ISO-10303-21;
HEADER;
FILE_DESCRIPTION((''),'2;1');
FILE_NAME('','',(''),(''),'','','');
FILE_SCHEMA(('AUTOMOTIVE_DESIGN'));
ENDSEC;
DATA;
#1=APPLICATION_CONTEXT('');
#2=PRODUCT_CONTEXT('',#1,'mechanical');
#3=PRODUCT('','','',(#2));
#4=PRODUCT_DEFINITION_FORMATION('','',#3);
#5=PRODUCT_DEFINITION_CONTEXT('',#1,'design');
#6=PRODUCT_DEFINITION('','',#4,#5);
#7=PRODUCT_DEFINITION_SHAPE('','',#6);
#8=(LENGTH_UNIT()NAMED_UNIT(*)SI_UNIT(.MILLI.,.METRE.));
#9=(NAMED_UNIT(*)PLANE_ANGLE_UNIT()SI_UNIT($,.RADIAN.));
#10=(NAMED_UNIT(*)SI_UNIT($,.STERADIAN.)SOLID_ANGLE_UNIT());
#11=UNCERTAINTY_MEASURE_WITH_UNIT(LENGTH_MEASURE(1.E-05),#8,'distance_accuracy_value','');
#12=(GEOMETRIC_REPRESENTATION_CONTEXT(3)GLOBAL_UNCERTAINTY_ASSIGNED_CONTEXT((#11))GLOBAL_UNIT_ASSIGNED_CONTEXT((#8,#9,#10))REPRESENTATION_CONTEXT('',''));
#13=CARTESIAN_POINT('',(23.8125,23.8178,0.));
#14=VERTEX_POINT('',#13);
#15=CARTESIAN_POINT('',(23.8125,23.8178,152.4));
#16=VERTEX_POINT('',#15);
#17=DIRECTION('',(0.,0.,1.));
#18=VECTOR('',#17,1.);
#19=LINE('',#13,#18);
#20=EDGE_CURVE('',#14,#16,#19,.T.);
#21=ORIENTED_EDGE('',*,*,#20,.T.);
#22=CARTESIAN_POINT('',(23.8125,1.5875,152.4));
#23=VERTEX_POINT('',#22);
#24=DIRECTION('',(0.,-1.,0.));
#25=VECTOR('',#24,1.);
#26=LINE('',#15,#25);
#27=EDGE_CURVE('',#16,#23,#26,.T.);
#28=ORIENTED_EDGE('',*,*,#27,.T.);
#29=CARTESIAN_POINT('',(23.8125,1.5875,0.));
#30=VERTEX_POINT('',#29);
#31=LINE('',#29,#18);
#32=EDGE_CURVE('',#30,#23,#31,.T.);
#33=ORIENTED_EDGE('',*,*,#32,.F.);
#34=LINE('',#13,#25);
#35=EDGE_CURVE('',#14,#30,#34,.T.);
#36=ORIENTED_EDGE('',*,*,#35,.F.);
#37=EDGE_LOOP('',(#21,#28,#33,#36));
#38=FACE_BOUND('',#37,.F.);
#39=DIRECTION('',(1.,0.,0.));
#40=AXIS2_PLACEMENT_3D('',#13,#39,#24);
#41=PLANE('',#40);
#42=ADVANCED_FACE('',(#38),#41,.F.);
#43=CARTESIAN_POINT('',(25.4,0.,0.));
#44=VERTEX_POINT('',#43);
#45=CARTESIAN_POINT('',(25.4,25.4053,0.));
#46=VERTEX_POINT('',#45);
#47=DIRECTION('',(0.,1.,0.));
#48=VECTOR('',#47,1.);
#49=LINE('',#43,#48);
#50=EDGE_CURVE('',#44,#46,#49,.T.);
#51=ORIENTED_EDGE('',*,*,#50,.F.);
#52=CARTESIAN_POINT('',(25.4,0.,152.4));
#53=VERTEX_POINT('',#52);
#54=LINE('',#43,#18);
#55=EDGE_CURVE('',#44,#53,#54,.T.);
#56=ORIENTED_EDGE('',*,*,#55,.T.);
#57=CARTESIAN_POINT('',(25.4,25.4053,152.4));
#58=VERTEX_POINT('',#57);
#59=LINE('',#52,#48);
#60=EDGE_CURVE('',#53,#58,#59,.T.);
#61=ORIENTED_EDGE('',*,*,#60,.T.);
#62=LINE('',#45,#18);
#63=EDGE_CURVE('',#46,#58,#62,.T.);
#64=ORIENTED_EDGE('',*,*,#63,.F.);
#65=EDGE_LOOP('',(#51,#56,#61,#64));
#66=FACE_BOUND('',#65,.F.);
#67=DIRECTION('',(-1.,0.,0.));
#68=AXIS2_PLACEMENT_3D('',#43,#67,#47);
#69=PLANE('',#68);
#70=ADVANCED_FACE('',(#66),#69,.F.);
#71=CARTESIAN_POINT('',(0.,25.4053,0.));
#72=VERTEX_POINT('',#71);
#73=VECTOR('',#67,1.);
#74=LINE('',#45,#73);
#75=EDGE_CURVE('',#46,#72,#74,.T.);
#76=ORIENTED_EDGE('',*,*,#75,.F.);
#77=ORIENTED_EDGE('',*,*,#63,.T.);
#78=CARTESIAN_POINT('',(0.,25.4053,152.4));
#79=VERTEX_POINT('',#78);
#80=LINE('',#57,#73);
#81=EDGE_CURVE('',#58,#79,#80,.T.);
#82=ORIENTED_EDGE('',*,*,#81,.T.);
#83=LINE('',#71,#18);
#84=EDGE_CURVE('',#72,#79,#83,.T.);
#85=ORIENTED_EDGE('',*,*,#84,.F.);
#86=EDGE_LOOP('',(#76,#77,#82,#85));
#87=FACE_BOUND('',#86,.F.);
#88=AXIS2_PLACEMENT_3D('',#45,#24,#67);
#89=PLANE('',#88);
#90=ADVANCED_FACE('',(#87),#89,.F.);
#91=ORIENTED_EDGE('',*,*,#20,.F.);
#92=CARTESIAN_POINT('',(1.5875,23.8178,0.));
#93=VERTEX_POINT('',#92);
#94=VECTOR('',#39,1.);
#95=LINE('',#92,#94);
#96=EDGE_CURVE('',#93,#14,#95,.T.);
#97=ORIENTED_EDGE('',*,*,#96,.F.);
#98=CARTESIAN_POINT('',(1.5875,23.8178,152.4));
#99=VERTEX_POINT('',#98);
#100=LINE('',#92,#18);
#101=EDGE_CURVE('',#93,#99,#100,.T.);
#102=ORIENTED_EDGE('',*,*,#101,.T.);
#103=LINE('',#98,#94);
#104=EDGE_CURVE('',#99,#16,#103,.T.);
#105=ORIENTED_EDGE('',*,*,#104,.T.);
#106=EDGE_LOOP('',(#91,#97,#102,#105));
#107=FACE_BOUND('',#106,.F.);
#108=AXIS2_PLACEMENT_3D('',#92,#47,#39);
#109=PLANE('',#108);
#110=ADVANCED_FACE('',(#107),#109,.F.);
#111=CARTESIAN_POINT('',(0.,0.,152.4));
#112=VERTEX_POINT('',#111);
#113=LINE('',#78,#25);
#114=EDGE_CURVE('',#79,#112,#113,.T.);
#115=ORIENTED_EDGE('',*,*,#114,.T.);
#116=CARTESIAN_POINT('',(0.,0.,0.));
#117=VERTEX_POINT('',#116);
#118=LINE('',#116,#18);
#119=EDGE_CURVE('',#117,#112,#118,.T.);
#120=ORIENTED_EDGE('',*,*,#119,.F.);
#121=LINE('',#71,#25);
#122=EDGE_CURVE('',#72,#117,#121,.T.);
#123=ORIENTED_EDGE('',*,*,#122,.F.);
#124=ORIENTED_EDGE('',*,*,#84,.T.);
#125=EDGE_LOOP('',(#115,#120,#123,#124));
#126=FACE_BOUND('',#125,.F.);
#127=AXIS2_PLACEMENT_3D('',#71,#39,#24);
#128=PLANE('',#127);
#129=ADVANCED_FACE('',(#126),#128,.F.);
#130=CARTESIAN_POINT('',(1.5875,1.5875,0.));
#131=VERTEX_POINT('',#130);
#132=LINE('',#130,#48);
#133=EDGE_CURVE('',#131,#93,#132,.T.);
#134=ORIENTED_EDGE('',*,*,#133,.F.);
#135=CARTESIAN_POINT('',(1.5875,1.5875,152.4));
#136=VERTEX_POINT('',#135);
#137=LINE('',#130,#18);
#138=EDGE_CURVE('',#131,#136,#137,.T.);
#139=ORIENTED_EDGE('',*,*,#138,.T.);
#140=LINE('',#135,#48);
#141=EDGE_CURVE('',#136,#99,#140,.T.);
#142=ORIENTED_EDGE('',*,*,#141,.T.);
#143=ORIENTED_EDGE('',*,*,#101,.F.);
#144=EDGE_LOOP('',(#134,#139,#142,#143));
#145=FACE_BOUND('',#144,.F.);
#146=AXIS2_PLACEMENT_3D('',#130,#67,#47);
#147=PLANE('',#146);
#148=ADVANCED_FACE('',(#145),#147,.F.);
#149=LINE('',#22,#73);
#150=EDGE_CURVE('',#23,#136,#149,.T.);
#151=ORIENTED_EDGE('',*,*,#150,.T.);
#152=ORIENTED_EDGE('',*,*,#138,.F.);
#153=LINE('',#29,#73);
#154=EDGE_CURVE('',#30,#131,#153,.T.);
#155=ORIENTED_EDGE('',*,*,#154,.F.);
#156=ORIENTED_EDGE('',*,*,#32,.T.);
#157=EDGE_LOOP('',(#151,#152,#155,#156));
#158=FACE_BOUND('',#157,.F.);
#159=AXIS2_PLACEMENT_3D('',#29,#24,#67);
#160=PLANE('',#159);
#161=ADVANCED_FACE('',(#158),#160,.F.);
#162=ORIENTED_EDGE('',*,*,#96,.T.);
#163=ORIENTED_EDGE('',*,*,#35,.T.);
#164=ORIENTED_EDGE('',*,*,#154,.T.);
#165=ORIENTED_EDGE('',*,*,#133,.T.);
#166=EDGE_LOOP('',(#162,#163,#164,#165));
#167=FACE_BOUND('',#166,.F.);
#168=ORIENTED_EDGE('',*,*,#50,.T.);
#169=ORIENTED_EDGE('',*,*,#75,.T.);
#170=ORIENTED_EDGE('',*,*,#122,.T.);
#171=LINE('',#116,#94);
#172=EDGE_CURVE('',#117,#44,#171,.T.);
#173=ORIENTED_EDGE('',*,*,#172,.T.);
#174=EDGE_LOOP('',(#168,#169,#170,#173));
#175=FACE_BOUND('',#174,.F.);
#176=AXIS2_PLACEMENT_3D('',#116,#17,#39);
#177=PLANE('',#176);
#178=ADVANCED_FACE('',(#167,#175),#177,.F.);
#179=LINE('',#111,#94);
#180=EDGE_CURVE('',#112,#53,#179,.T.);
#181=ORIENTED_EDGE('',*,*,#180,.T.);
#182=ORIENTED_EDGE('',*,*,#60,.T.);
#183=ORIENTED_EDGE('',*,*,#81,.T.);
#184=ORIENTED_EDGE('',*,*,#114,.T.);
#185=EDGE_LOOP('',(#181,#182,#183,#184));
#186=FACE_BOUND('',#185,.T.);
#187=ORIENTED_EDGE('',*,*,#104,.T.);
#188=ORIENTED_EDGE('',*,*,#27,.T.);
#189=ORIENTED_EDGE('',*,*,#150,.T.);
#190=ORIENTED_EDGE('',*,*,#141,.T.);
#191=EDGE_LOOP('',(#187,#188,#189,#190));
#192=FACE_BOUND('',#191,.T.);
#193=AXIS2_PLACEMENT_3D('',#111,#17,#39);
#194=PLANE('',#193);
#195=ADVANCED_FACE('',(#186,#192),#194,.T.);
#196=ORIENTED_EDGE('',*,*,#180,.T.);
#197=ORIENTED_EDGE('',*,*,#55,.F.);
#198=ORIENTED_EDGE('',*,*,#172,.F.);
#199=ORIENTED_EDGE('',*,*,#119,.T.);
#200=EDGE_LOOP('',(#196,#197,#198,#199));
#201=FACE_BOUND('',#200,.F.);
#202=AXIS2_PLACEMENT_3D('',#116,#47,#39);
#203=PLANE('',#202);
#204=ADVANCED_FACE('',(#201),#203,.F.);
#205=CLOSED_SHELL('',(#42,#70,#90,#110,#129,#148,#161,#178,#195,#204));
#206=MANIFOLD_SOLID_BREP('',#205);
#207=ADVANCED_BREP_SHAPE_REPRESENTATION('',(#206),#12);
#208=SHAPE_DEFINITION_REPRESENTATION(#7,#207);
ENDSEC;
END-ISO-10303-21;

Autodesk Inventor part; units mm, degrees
ref_plane "YZ Plane" through (0, 0, 0) normal (1, 0, 0) x (0, 1, 0)
ref_plane "XZ Plane" through (0, 0, 0) normal (0, 1, 0) x (-1, 0, 0)
ref_plane "XY Plane" through (0, 0, 0) normal (0, 0, 1) x (1, 0, 0)
sketch "Sketch1" plane through (0, 0, 0) normal (0, 0, 1) x (1, 0, 0)
  line L0 (0, 0) -> (25.4, 0)
  line L1 (25.4, 0) -> (25.4, 25.4053)
  line L2 (25.4, 25.4053) -> (0, 25.4053)
  line L3 (0, 25.4053) -> (0, 0)
  line L4 (1.5875, 22.2862) -> (1.5875, 23.8178) construction
  line L5 (1.5875, 23.8178) -> (23.8125, 23.8178)
  line L6 (23.8125, 23.8178) -> (23.8125, 1.5875)
  line L7 (23.8125, 1.5875) -> (1.5875, 1.5875)
  line L8 (1.5875, 1.5875) -> (1.5875, 23.8178)
  dimension "d0" = 25.4
  dimension "d4" = 22.225
extrude "Extrusion1" add sketch "Sketch1" along normal blind 152.4
properties part number "Hook 1st"
